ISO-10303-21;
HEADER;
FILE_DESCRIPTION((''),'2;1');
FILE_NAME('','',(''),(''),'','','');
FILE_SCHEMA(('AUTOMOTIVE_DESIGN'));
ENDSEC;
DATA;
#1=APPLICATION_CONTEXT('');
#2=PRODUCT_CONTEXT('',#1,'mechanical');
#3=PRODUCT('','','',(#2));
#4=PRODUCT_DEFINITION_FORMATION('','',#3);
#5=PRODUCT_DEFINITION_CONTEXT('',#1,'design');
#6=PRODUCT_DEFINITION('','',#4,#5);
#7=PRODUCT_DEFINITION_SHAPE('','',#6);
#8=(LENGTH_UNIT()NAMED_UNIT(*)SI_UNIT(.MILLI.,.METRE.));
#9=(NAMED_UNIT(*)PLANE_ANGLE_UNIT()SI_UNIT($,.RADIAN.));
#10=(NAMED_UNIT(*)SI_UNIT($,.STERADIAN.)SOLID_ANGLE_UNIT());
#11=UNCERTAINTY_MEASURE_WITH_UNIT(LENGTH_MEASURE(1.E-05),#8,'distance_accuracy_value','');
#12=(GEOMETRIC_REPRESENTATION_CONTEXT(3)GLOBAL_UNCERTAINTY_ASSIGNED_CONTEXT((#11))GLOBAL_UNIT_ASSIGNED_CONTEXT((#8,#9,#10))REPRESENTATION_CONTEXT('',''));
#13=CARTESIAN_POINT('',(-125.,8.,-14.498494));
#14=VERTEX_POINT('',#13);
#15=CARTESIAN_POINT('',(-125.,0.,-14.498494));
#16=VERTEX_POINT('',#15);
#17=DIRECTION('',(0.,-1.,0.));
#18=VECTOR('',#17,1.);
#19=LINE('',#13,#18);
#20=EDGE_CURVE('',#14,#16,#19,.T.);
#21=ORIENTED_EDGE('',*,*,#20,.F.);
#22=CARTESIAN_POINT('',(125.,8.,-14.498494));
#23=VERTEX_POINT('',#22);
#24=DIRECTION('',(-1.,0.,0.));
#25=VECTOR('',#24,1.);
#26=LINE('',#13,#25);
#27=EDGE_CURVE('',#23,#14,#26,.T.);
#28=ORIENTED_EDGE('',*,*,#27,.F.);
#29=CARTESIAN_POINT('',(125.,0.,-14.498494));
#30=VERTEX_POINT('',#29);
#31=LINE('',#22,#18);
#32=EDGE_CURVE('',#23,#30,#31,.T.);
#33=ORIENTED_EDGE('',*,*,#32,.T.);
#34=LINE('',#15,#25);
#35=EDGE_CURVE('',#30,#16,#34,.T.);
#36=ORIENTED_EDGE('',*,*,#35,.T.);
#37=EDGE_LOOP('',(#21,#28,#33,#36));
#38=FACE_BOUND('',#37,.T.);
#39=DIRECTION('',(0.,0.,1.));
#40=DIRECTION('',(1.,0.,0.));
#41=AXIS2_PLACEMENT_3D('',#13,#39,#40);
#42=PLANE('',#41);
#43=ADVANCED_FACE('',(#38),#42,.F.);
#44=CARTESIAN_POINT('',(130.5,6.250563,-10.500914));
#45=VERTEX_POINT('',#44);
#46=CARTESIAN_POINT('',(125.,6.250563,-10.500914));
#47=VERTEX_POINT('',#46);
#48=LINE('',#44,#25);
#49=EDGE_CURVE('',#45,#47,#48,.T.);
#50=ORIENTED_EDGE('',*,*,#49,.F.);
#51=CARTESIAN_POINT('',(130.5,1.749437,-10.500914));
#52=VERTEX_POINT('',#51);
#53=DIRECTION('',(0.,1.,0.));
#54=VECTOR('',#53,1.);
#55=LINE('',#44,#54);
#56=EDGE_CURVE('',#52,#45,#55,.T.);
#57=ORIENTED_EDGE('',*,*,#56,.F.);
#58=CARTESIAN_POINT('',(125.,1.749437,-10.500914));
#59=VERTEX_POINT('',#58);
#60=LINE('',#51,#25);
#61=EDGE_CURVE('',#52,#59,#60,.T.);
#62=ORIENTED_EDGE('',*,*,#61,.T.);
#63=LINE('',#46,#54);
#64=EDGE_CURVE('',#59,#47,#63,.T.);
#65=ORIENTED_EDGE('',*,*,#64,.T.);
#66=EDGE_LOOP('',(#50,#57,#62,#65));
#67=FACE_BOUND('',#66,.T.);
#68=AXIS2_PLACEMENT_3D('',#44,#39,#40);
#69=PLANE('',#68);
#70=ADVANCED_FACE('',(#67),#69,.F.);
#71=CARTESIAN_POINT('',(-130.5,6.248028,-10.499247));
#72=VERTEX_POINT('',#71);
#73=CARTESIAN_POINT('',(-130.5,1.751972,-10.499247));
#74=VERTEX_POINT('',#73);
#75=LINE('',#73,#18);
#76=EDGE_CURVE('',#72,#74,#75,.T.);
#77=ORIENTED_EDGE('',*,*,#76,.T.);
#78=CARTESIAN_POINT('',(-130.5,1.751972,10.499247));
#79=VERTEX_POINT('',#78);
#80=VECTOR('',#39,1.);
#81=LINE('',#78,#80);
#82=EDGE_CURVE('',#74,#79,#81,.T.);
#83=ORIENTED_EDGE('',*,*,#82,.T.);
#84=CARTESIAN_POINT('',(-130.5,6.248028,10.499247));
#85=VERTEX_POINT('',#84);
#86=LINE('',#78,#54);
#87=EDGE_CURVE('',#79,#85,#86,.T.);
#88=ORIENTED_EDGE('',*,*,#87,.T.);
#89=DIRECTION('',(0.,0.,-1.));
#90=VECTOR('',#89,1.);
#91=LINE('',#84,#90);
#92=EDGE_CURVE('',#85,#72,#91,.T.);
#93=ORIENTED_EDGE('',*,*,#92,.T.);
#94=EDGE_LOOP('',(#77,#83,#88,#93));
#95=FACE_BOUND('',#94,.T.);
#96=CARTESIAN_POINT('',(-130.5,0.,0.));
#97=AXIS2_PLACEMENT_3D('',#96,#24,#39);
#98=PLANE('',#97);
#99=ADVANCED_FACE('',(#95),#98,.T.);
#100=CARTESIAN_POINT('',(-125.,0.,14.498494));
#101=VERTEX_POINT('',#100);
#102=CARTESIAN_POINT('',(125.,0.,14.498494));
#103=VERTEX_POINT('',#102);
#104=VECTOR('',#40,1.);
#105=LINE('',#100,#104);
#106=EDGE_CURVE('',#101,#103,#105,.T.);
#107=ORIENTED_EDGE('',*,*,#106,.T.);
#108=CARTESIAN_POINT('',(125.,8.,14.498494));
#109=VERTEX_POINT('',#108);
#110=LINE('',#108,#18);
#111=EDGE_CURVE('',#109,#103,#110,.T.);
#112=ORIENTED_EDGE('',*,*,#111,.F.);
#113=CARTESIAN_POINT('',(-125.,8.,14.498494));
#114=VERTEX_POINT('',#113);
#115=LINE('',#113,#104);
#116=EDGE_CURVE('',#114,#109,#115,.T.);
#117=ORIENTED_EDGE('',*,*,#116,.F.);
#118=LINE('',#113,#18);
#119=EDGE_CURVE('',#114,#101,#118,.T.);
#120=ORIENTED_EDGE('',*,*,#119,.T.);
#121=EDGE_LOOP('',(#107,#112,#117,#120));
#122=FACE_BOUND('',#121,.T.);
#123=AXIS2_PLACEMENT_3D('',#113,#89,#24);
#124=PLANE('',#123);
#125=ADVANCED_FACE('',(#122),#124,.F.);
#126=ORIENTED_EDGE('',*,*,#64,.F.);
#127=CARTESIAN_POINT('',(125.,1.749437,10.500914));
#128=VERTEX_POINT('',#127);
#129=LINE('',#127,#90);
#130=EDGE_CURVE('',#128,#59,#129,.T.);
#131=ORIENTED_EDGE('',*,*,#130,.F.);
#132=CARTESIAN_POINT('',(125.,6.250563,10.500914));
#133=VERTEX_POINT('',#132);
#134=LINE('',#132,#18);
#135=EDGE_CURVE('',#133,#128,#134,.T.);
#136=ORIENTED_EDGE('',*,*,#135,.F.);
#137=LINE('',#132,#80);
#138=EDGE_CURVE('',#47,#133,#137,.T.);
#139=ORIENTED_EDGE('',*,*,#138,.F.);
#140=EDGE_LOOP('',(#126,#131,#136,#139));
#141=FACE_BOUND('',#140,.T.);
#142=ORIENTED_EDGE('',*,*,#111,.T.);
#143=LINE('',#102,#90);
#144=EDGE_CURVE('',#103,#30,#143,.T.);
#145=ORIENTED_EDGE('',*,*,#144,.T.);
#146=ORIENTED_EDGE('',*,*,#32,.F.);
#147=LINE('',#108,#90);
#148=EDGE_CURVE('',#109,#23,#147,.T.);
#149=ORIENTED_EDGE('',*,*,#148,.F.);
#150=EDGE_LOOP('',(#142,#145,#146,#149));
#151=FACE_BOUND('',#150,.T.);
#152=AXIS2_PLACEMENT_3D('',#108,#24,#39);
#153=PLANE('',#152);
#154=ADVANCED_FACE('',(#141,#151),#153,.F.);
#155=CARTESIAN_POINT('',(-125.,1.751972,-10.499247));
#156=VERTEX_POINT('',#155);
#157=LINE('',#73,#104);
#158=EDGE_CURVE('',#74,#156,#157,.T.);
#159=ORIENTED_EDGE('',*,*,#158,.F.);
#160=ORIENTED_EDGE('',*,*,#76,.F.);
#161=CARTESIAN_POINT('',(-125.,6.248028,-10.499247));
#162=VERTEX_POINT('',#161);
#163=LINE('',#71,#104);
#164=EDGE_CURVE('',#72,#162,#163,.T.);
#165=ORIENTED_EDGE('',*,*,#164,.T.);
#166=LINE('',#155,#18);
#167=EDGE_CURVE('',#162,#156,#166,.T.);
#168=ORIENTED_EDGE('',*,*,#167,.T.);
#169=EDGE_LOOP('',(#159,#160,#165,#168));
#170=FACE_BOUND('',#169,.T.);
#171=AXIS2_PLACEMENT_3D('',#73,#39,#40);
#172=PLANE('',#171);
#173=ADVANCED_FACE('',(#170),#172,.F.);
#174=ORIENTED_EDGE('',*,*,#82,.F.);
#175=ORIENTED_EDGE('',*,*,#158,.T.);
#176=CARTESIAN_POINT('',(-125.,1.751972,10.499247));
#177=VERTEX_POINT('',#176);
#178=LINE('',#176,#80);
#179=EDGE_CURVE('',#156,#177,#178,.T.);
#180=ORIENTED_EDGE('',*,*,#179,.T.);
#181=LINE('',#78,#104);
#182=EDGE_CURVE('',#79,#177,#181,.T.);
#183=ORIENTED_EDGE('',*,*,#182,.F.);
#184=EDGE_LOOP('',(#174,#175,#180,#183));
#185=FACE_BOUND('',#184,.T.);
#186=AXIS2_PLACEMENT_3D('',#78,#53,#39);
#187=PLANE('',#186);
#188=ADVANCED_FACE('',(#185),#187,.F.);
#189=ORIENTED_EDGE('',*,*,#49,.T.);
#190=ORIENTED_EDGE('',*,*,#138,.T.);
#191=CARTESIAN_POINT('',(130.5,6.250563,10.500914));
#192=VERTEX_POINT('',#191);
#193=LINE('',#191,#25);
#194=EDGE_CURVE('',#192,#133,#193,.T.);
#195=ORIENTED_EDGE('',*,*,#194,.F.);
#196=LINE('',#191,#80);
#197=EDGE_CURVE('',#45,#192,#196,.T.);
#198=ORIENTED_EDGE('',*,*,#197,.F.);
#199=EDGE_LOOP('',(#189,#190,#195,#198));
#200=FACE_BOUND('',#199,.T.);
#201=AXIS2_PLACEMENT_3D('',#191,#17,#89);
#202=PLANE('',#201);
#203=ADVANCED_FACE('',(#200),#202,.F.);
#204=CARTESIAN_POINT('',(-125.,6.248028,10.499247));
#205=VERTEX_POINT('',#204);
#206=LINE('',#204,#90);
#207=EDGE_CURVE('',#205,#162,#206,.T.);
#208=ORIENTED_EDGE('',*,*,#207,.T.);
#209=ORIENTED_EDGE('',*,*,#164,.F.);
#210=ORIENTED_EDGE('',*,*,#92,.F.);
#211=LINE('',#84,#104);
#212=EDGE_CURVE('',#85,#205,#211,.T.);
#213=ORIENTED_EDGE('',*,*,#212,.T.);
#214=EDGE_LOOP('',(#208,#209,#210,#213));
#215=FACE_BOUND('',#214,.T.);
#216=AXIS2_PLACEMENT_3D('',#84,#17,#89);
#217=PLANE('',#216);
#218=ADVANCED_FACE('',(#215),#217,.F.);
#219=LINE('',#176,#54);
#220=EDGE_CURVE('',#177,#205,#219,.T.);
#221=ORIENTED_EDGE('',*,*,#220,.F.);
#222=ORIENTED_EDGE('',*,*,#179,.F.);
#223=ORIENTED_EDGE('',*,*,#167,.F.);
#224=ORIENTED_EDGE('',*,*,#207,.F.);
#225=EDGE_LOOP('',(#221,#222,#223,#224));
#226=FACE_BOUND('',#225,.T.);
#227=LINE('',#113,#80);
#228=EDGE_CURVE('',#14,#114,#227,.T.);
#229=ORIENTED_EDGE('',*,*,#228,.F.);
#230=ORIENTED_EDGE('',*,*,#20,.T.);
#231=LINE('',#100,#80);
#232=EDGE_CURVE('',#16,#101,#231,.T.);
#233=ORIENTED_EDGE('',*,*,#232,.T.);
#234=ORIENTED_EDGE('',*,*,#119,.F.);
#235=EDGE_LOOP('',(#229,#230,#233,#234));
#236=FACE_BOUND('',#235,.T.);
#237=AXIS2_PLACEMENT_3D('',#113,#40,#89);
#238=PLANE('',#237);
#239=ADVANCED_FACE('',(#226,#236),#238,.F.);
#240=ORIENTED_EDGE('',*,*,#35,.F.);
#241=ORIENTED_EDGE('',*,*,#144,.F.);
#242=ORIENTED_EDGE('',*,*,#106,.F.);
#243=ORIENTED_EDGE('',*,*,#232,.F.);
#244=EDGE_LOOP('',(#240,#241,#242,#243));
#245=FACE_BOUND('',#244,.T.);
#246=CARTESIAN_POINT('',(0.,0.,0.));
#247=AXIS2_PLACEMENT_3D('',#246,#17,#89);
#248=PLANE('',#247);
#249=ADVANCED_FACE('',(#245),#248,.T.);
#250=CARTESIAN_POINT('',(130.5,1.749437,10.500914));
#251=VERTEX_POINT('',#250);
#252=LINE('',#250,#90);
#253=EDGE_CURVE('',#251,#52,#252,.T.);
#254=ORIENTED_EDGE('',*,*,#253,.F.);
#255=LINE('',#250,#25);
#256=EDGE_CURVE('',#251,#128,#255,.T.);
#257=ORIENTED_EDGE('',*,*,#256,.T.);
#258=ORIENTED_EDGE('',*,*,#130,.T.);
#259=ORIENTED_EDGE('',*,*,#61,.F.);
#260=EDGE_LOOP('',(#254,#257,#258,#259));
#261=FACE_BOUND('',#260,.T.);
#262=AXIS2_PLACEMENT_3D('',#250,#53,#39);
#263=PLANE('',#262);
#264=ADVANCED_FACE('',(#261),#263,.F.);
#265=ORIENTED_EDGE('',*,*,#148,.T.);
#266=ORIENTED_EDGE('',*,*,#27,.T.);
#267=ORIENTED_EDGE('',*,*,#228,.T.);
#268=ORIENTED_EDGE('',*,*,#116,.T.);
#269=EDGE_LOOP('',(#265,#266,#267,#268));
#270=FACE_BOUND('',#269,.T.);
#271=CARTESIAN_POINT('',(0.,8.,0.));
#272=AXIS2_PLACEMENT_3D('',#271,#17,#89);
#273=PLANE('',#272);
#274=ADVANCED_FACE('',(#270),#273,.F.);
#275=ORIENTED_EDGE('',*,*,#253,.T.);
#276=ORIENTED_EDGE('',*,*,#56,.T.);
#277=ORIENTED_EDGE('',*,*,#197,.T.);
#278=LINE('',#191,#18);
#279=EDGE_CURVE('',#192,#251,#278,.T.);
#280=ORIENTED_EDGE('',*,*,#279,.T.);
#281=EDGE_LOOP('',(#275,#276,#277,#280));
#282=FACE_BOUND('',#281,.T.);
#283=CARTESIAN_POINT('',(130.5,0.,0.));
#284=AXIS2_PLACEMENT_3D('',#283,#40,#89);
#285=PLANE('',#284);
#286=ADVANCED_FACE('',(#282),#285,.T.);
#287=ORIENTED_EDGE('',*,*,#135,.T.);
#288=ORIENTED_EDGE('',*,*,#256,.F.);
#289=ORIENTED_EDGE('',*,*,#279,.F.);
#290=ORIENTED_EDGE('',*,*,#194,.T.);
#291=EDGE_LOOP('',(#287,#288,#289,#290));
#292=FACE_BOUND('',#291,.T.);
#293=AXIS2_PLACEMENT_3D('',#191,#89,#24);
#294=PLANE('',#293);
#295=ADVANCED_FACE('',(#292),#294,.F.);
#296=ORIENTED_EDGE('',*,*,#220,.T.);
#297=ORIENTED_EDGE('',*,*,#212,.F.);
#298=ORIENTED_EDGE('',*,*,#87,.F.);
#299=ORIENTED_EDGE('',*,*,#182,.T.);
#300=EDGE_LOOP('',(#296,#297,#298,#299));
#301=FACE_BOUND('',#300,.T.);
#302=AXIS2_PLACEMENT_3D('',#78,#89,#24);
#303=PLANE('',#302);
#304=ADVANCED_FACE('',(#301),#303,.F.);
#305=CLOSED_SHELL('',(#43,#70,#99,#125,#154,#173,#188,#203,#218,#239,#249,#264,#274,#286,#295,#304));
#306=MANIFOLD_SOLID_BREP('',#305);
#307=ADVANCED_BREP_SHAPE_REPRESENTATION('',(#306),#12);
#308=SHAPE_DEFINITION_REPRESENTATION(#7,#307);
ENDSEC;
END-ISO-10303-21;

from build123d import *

# Parameters (mm, degrees)
SKETCH_1_W      = 250
SKETCH_1_H      = 28.996988848
EXTRUDE_1_DEPTH = 8
SKETCH_2_W      = 21.001828318
SKETCH_2_H      = 4.50112507
EXTRUDE_2_DEPTH = 5.5
SKETCH_3_W      = 20.998493162
SKETCH_3_H      = 4.496055774
EXTRUDE_3_DEPTH = 5.5


with BuildPart() as part:
    # Эскиз1 → Бобышка-Вытянуть1 (new body)
    with BuildSketch(Plane(origin=(0, 0, 0), x_dir=(1, 0, 0), z_dir=(0, 1, 0))):
        Rectangle(SKETCH_1_W, SKETCH_1_H)
    extrude(amount=EXTRUDE_1_DEPTH)

    # Эскиз2 → Бобышка-Вытянуть2 (add)
    with BuildSketch(Plane(origin=(125, 0, 0), x_dir=(0, 0, -1), z_dir=(1, 0, 0))):
        with Locations((0, 4)):
            Rectangle(SKETCH_2_W, SKETCH_2_H)
    extrude(amount=EXTRUDE_2_DEPTH)

    # Эскиз3 → Бобышка-Вытянуть3 (add)
    with BuildSketch(Plane.ZY.offset(125)):
        with Locations((0, 4)):
            Rectangle(SKETCH_3_W, SKETCH_3_H)
    extrude(amount=EXTRUDE_3_DEPTH)


solid = part.part
